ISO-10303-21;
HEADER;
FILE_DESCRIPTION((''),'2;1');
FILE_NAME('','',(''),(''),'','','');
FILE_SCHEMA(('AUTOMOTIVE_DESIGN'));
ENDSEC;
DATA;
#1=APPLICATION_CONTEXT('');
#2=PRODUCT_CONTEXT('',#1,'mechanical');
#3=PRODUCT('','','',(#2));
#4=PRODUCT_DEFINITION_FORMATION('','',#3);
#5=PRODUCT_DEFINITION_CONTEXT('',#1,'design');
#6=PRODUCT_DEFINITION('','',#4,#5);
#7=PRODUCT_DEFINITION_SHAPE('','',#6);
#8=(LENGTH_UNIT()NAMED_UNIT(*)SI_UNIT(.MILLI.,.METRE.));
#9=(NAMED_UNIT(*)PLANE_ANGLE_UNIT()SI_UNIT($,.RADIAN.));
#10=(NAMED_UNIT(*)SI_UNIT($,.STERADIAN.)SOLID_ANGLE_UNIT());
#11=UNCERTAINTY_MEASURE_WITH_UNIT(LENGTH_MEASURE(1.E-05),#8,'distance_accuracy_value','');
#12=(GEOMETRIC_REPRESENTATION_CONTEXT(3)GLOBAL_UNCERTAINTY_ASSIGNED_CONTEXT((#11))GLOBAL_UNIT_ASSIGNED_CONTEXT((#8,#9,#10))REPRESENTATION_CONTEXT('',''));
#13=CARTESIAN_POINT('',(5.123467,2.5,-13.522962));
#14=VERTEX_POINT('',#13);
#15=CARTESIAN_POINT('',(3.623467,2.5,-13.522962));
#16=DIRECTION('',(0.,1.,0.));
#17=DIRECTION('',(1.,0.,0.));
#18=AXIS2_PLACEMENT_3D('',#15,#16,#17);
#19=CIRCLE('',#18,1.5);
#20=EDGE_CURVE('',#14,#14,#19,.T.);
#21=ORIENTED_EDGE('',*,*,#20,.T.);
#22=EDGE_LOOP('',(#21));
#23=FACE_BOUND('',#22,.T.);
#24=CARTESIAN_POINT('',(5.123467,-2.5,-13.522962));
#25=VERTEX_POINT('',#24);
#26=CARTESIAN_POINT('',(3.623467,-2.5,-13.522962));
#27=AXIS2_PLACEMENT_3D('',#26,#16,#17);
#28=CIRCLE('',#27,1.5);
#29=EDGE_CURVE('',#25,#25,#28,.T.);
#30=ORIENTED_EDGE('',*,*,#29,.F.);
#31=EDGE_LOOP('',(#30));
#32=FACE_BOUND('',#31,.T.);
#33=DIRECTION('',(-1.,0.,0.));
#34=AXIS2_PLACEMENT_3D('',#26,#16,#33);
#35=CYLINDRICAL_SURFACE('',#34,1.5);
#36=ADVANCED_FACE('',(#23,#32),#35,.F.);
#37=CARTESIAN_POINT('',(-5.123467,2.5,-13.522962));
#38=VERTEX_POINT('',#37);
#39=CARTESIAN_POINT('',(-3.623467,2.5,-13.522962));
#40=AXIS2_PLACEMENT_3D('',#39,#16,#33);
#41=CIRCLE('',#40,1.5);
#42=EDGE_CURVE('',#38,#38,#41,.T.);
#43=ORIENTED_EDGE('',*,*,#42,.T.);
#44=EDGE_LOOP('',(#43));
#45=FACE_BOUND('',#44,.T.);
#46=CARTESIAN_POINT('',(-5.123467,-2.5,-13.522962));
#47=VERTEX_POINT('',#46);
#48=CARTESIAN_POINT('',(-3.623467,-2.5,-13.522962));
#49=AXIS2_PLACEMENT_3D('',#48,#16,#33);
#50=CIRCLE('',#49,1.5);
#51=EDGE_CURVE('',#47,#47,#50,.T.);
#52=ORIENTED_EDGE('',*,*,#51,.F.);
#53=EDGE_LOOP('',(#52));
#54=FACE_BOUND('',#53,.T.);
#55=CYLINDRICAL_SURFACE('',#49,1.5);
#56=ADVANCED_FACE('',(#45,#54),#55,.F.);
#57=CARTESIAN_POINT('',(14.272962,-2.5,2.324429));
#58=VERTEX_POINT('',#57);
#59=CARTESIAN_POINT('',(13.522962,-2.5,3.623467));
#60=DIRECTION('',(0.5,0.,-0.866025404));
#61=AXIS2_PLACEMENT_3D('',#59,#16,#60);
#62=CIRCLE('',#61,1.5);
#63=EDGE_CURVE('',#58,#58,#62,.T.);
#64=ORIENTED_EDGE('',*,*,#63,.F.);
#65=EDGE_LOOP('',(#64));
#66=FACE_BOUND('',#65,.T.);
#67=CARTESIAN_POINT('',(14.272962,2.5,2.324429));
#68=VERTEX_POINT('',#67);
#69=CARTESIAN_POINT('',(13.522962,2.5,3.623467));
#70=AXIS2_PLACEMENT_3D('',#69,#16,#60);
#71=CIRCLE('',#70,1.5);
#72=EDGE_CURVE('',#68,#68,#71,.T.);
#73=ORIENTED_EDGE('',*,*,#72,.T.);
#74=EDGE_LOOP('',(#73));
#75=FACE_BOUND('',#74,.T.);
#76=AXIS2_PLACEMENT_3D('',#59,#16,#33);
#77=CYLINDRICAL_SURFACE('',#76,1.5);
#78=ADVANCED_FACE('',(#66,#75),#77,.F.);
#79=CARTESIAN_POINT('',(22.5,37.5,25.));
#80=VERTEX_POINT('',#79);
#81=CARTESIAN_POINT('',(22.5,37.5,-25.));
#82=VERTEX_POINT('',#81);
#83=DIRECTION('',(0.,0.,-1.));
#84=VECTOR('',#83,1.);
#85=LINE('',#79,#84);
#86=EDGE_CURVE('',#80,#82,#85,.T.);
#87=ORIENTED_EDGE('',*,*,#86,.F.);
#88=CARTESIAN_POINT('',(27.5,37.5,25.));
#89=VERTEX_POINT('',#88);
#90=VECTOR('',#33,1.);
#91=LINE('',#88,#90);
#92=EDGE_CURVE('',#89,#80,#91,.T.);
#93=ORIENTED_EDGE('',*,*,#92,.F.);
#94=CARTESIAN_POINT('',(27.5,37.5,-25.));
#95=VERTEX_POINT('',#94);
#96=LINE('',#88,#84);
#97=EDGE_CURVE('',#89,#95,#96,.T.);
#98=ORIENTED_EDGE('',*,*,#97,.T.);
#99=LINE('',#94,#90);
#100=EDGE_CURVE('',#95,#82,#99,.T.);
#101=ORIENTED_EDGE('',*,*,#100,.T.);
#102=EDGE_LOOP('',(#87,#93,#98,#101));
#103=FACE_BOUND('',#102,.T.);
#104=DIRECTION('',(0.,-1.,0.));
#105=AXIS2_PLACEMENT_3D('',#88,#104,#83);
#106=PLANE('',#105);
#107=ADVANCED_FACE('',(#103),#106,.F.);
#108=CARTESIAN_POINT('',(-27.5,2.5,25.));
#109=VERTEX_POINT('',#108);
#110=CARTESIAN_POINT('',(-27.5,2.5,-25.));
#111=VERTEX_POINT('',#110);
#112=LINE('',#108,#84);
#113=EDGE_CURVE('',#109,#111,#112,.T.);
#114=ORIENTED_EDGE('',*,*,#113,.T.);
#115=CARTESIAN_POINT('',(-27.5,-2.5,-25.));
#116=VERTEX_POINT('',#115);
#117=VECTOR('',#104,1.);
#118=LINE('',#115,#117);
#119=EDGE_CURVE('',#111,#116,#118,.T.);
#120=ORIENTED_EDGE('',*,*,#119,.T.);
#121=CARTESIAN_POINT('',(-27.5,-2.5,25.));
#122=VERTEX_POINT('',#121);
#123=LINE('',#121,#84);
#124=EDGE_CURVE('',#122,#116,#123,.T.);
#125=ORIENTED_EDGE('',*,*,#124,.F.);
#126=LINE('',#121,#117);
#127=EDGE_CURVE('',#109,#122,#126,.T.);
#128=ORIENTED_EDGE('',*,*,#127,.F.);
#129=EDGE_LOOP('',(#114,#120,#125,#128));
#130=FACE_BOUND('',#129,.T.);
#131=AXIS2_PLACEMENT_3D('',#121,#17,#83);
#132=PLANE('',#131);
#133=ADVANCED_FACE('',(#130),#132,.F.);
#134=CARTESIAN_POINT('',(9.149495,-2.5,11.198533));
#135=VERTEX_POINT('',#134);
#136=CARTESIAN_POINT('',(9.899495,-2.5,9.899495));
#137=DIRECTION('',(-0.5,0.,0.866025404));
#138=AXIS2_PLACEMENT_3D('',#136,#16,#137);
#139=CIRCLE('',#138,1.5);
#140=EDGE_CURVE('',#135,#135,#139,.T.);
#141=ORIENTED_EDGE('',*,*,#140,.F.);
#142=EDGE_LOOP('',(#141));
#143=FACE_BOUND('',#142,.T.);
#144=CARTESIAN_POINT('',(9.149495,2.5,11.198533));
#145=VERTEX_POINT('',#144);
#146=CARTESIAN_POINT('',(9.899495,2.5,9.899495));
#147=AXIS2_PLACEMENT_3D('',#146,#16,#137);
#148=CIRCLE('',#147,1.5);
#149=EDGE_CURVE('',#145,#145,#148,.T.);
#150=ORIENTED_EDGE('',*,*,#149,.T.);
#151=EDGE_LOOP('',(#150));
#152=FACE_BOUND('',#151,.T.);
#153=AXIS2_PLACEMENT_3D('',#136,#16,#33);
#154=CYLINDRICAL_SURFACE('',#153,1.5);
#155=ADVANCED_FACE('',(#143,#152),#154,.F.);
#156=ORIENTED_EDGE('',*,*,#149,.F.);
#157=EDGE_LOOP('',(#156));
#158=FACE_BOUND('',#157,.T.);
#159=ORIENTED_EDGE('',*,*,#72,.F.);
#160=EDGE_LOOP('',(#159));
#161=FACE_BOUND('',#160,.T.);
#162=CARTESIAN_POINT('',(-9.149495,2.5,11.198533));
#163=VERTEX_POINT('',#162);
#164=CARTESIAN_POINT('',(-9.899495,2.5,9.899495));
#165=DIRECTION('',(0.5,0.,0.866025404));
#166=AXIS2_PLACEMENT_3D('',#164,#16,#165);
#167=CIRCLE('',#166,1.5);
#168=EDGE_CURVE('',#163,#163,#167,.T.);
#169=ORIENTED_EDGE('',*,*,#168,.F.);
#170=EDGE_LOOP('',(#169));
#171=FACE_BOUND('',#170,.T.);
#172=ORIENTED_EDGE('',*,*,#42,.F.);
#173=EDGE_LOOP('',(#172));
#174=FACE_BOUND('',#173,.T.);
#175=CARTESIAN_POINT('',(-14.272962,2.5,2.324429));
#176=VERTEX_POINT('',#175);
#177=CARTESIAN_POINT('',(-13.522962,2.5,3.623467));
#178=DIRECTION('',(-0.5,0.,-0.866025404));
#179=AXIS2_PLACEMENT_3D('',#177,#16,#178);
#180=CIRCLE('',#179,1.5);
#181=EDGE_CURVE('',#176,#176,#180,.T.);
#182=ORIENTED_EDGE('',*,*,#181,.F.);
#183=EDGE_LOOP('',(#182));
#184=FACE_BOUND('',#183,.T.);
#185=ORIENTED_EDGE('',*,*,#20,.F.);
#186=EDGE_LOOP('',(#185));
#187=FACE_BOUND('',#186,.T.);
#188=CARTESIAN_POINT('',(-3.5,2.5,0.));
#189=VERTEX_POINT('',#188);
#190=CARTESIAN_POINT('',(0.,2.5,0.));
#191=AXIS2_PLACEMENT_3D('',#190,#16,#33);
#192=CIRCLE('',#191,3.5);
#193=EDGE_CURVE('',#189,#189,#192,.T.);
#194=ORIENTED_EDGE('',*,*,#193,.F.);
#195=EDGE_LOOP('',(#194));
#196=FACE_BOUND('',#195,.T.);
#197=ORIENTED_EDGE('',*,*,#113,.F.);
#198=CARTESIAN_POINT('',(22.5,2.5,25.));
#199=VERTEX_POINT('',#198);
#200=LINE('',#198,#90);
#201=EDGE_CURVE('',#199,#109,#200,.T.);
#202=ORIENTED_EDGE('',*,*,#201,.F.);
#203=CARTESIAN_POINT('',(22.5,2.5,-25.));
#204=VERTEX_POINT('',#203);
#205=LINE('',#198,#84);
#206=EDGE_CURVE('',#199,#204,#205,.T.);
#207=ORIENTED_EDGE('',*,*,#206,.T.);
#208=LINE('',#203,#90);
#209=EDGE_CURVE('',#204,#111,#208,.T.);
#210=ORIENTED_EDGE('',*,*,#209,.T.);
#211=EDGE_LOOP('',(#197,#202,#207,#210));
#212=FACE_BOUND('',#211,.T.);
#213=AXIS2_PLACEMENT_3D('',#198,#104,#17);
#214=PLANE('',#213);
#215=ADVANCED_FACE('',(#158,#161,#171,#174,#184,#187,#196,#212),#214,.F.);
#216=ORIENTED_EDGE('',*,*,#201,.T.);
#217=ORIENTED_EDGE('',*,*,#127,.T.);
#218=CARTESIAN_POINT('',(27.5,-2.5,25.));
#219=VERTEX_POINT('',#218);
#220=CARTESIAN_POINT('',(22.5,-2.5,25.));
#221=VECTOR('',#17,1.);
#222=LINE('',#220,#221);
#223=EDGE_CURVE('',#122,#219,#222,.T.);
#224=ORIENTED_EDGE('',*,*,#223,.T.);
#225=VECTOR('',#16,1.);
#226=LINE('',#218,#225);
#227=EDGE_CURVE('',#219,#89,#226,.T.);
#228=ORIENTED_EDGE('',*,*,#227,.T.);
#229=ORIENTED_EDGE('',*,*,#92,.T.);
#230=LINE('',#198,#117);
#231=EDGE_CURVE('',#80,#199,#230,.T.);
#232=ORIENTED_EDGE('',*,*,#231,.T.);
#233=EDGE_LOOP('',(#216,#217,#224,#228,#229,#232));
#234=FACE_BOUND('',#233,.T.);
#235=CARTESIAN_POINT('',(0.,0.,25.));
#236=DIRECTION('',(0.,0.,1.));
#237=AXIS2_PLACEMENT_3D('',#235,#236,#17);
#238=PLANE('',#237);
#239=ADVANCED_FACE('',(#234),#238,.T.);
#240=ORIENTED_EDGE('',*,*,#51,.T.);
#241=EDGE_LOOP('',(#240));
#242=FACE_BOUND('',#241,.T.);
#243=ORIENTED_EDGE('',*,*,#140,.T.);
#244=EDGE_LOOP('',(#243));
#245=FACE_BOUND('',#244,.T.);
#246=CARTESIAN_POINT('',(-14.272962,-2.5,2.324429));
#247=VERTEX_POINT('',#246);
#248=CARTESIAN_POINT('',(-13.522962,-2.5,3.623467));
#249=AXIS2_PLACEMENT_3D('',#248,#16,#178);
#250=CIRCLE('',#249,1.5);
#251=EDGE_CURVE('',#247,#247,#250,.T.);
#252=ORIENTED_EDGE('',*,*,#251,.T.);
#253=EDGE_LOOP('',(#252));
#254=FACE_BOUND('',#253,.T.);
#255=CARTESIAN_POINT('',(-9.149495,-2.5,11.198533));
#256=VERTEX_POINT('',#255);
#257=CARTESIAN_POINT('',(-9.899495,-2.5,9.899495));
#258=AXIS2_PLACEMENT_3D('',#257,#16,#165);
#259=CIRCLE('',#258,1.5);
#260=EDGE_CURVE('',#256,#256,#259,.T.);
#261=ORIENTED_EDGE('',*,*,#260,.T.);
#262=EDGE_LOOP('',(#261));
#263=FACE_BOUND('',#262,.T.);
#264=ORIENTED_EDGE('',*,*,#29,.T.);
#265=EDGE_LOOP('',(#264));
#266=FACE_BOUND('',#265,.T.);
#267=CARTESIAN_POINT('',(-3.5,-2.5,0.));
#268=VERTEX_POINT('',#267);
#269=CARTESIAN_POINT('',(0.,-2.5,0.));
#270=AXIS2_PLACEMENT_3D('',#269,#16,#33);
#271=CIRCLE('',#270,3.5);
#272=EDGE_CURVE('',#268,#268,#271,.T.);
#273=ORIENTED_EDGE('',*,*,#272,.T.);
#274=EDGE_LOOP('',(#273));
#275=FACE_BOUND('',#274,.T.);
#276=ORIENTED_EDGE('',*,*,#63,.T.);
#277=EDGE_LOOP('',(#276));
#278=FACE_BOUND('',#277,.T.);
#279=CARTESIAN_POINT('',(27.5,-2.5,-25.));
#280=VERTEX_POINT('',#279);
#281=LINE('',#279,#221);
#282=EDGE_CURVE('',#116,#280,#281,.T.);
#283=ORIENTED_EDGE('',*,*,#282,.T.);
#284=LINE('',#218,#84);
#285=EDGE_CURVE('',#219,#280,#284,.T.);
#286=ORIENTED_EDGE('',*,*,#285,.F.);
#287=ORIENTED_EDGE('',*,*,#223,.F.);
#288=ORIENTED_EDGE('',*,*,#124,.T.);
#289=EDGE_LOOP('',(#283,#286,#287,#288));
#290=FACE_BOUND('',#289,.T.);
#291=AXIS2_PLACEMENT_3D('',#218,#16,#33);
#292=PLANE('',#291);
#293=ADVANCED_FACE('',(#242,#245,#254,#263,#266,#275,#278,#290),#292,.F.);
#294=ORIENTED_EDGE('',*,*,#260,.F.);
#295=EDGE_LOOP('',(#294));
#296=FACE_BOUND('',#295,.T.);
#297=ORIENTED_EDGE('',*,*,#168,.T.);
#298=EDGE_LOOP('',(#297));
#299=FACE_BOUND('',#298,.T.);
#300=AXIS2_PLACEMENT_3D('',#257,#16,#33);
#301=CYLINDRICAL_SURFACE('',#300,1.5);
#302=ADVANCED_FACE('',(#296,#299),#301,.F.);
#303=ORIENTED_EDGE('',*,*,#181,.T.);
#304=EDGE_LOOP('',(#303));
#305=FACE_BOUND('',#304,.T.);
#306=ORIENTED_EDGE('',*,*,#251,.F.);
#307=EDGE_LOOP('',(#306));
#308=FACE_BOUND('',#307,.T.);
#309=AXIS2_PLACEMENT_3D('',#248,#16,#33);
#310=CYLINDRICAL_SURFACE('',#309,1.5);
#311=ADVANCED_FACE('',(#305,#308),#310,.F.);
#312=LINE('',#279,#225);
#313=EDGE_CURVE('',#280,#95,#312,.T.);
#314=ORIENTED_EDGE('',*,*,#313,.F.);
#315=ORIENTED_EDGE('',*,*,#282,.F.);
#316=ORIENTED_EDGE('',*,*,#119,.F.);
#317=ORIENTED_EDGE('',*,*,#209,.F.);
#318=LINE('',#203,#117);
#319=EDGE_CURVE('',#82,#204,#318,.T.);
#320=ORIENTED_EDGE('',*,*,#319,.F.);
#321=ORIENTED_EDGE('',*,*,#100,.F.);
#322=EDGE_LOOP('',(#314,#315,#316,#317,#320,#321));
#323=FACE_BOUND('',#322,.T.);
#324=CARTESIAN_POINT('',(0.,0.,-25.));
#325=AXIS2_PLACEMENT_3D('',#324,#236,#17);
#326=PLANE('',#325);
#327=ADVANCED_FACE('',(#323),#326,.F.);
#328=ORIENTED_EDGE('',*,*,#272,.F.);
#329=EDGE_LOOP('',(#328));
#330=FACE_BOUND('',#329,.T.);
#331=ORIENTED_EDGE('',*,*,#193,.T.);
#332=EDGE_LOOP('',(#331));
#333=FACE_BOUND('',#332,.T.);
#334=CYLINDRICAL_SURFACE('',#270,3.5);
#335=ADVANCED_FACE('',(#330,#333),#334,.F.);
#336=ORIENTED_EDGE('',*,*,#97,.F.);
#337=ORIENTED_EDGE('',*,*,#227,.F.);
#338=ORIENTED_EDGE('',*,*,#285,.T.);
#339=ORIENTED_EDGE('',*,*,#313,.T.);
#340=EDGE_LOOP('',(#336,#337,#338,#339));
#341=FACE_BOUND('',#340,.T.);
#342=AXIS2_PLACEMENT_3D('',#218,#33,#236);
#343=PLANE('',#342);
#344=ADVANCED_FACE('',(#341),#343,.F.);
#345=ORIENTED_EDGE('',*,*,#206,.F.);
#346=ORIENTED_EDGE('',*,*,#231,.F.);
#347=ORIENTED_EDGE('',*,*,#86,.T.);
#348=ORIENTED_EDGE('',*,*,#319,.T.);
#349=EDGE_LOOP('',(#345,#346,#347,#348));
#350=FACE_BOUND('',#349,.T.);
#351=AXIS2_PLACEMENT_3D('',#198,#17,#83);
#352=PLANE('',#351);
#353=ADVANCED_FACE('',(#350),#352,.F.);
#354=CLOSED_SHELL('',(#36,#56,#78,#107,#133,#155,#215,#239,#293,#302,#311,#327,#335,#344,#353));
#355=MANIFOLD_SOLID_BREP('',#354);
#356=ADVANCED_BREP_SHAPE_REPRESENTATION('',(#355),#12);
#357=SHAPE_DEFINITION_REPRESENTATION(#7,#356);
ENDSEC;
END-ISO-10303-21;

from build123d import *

# Parameters (mm, degrees)
BOSS_EXTRUDE1_DEPTH = 25
SKETCH2_R           = 3.5
SKETCH2_R_2         = 1.5
CUT_EXTRUDE1_DEPTH  = 52.051444642
CIRPATTERN1_COUNT   = 3


with BuildPart() as part:
    # Sketch1 → Boss-Extrude1 (new, symmetric)
    with BuildSketch(Plane.XY):
        Polygon((22.5, -2.5), (-27.5, -2.5), (-27.5, 2.5), (22.5, 2.5), (22.5, 37.5), (27.5, 37.5), (27.5, -2.5), align=None)
    extrude(amount=BOSS_EXTRUDE1_DEPTH, both=True)

    # Sketch2 → Cut-Extrude1 (cut, through all)
    with BuildSketch(Plane(origin=(0, 2.5, 0), x_dir=(1, 0, 0), z_dir=(0, 1, 0))):
        with Locations(Location((0, 0, 0), (0, 0, 180))):
            Circle(SKETCH2_R)
        with Locations(Location((-3.623466631, 13.522961568, 0), (0, 0, 180))):
            Circle(SKETCH2_R_2)
        with Locations((3.623466631, 13.522961568)):
            Circle(SKETCH2_R_2)
    cut_extrude1 = extrude(amount=-CUT_EXTRUDE1_DEPTH, mode=Mode.SUBTRACT)

    # CirPattern1: Cut-Extrude1 ×3 about axis
    cirpattern1_axis = Axis((0, 0, 0), (0, 1, 0))
    for i in range(1, CIRPATTERN1_COUNT):
        add(cut_extrude1.rotate(cirpattern1_axis, i * 360 / CIRPATTERN1_COUNT), mode=Mode.SUBTRACT)


solid = part.part
